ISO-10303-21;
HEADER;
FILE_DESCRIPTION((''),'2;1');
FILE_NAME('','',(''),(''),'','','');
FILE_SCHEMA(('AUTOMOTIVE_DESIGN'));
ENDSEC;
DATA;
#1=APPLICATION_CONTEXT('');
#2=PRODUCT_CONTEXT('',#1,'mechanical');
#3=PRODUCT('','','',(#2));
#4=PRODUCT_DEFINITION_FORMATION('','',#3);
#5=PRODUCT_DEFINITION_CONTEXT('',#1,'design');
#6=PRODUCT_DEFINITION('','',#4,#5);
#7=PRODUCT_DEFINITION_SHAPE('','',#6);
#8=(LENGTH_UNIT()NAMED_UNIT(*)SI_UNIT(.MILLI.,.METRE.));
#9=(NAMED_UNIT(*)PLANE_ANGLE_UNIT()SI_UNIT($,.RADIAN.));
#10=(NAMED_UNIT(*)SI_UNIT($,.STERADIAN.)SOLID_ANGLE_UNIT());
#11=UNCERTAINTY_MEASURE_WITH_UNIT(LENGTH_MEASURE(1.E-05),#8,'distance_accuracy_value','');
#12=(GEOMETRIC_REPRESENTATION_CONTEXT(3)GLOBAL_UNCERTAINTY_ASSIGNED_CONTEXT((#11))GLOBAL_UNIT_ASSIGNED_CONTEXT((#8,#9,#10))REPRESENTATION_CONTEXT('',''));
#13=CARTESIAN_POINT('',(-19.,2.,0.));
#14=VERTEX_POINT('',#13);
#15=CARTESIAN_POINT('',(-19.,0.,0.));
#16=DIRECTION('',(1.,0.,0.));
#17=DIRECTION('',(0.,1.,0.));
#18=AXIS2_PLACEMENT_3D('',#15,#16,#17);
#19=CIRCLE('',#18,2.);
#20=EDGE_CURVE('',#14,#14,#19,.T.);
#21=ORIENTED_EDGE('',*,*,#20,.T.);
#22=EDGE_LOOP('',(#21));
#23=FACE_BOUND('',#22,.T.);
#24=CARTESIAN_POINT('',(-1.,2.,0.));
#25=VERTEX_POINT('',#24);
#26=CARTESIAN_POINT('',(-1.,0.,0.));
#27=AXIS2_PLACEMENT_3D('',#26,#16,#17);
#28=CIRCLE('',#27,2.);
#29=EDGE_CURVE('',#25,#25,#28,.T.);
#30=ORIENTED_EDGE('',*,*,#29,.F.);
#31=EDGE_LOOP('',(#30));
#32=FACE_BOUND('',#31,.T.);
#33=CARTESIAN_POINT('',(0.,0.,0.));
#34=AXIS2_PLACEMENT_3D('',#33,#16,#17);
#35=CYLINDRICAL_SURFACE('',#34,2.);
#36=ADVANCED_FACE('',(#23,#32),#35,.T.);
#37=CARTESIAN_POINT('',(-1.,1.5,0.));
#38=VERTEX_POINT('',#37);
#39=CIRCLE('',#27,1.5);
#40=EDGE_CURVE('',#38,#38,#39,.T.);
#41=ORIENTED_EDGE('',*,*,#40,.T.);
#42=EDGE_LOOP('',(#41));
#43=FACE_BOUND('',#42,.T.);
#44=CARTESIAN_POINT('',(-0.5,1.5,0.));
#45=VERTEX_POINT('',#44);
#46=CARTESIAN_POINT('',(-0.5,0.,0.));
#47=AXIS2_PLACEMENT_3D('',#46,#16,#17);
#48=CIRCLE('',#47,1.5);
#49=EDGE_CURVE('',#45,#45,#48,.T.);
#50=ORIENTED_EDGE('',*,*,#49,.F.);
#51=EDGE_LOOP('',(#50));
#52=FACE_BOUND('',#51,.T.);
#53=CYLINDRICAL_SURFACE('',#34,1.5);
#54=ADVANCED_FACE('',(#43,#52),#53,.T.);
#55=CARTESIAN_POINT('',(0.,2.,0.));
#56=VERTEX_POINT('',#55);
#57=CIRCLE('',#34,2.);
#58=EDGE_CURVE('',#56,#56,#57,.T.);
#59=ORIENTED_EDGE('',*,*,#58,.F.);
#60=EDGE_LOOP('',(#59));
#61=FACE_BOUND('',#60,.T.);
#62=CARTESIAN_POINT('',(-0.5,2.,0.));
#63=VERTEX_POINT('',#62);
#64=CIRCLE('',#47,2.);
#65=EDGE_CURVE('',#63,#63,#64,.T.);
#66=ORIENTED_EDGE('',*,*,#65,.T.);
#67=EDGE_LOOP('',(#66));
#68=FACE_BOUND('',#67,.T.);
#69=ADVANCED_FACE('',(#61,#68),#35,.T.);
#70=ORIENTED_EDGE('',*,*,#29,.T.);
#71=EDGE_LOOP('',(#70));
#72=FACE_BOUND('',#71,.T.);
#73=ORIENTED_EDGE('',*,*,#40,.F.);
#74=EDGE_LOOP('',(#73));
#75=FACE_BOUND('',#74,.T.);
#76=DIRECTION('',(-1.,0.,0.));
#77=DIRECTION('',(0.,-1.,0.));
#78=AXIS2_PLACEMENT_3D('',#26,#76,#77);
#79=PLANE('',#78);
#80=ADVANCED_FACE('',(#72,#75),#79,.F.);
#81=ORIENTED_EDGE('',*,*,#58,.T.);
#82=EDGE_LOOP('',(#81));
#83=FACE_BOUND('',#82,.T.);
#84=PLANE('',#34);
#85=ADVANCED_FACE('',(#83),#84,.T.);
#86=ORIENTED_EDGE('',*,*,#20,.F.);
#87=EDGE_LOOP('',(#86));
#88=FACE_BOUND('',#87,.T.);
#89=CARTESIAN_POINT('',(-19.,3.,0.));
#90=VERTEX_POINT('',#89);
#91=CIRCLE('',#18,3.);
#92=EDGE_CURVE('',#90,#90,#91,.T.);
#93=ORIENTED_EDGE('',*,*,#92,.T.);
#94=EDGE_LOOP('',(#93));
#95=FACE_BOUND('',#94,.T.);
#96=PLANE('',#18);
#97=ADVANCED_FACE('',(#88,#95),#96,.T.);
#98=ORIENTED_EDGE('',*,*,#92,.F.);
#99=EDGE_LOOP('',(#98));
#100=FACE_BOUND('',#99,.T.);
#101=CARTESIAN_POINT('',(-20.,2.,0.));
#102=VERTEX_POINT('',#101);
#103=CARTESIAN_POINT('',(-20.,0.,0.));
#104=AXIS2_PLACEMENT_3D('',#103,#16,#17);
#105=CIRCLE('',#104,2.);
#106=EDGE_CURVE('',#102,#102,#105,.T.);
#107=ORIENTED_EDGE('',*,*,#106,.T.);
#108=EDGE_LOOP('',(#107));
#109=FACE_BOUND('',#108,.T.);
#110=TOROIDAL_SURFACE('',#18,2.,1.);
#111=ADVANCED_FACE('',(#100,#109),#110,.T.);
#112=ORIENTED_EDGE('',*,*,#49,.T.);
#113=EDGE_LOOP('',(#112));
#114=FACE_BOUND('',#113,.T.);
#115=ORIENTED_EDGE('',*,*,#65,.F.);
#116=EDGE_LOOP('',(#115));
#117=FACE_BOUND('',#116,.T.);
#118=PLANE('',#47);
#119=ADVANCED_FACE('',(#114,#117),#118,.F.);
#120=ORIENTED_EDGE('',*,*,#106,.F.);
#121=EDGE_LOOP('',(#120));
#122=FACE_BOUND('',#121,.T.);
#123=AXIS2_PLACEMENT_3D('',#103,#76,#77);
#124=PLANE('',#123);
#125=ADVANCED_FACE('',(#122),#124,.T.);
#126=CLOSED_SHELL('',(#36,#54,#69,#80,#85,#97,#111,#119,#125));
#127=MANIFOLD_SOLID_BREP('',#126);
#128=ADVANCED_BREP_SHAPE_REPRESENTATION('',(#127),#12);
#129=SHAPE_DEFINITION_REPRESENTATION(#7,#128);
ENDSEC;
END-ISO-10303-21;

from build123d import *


with BuildPart() as part:
    # Sketch1 → Revolve1 (revolve)
    with BuildSketch(Plane(origin=(0, 0, 0), x_dir=(-1, 0, 0), z_dir=(0, 0, -1))):
        with BuildLine():
            ThreePointArc((20, 2), (19.707106781, 2.707106781), (19, 3))
            Line((19, 3), (19, 2))
            Line((19, 2), (1, 2))
            Line((1, 2), (1, 1.5))
            Line((1, 1.5), (0.5, 1.5))
            Line((0.5, 1.5), (0.5, 2))
            Line((0.5, 2), (0, 2))
            Line((0, 2), (0, 0))
            Line((0, 0), (20, 0))
            Line((20, 0), (20, 2))
        make_face()
    revolve(axis=Axis((0, 0, 0), (-1, 0, 0)))


solid = part.part
